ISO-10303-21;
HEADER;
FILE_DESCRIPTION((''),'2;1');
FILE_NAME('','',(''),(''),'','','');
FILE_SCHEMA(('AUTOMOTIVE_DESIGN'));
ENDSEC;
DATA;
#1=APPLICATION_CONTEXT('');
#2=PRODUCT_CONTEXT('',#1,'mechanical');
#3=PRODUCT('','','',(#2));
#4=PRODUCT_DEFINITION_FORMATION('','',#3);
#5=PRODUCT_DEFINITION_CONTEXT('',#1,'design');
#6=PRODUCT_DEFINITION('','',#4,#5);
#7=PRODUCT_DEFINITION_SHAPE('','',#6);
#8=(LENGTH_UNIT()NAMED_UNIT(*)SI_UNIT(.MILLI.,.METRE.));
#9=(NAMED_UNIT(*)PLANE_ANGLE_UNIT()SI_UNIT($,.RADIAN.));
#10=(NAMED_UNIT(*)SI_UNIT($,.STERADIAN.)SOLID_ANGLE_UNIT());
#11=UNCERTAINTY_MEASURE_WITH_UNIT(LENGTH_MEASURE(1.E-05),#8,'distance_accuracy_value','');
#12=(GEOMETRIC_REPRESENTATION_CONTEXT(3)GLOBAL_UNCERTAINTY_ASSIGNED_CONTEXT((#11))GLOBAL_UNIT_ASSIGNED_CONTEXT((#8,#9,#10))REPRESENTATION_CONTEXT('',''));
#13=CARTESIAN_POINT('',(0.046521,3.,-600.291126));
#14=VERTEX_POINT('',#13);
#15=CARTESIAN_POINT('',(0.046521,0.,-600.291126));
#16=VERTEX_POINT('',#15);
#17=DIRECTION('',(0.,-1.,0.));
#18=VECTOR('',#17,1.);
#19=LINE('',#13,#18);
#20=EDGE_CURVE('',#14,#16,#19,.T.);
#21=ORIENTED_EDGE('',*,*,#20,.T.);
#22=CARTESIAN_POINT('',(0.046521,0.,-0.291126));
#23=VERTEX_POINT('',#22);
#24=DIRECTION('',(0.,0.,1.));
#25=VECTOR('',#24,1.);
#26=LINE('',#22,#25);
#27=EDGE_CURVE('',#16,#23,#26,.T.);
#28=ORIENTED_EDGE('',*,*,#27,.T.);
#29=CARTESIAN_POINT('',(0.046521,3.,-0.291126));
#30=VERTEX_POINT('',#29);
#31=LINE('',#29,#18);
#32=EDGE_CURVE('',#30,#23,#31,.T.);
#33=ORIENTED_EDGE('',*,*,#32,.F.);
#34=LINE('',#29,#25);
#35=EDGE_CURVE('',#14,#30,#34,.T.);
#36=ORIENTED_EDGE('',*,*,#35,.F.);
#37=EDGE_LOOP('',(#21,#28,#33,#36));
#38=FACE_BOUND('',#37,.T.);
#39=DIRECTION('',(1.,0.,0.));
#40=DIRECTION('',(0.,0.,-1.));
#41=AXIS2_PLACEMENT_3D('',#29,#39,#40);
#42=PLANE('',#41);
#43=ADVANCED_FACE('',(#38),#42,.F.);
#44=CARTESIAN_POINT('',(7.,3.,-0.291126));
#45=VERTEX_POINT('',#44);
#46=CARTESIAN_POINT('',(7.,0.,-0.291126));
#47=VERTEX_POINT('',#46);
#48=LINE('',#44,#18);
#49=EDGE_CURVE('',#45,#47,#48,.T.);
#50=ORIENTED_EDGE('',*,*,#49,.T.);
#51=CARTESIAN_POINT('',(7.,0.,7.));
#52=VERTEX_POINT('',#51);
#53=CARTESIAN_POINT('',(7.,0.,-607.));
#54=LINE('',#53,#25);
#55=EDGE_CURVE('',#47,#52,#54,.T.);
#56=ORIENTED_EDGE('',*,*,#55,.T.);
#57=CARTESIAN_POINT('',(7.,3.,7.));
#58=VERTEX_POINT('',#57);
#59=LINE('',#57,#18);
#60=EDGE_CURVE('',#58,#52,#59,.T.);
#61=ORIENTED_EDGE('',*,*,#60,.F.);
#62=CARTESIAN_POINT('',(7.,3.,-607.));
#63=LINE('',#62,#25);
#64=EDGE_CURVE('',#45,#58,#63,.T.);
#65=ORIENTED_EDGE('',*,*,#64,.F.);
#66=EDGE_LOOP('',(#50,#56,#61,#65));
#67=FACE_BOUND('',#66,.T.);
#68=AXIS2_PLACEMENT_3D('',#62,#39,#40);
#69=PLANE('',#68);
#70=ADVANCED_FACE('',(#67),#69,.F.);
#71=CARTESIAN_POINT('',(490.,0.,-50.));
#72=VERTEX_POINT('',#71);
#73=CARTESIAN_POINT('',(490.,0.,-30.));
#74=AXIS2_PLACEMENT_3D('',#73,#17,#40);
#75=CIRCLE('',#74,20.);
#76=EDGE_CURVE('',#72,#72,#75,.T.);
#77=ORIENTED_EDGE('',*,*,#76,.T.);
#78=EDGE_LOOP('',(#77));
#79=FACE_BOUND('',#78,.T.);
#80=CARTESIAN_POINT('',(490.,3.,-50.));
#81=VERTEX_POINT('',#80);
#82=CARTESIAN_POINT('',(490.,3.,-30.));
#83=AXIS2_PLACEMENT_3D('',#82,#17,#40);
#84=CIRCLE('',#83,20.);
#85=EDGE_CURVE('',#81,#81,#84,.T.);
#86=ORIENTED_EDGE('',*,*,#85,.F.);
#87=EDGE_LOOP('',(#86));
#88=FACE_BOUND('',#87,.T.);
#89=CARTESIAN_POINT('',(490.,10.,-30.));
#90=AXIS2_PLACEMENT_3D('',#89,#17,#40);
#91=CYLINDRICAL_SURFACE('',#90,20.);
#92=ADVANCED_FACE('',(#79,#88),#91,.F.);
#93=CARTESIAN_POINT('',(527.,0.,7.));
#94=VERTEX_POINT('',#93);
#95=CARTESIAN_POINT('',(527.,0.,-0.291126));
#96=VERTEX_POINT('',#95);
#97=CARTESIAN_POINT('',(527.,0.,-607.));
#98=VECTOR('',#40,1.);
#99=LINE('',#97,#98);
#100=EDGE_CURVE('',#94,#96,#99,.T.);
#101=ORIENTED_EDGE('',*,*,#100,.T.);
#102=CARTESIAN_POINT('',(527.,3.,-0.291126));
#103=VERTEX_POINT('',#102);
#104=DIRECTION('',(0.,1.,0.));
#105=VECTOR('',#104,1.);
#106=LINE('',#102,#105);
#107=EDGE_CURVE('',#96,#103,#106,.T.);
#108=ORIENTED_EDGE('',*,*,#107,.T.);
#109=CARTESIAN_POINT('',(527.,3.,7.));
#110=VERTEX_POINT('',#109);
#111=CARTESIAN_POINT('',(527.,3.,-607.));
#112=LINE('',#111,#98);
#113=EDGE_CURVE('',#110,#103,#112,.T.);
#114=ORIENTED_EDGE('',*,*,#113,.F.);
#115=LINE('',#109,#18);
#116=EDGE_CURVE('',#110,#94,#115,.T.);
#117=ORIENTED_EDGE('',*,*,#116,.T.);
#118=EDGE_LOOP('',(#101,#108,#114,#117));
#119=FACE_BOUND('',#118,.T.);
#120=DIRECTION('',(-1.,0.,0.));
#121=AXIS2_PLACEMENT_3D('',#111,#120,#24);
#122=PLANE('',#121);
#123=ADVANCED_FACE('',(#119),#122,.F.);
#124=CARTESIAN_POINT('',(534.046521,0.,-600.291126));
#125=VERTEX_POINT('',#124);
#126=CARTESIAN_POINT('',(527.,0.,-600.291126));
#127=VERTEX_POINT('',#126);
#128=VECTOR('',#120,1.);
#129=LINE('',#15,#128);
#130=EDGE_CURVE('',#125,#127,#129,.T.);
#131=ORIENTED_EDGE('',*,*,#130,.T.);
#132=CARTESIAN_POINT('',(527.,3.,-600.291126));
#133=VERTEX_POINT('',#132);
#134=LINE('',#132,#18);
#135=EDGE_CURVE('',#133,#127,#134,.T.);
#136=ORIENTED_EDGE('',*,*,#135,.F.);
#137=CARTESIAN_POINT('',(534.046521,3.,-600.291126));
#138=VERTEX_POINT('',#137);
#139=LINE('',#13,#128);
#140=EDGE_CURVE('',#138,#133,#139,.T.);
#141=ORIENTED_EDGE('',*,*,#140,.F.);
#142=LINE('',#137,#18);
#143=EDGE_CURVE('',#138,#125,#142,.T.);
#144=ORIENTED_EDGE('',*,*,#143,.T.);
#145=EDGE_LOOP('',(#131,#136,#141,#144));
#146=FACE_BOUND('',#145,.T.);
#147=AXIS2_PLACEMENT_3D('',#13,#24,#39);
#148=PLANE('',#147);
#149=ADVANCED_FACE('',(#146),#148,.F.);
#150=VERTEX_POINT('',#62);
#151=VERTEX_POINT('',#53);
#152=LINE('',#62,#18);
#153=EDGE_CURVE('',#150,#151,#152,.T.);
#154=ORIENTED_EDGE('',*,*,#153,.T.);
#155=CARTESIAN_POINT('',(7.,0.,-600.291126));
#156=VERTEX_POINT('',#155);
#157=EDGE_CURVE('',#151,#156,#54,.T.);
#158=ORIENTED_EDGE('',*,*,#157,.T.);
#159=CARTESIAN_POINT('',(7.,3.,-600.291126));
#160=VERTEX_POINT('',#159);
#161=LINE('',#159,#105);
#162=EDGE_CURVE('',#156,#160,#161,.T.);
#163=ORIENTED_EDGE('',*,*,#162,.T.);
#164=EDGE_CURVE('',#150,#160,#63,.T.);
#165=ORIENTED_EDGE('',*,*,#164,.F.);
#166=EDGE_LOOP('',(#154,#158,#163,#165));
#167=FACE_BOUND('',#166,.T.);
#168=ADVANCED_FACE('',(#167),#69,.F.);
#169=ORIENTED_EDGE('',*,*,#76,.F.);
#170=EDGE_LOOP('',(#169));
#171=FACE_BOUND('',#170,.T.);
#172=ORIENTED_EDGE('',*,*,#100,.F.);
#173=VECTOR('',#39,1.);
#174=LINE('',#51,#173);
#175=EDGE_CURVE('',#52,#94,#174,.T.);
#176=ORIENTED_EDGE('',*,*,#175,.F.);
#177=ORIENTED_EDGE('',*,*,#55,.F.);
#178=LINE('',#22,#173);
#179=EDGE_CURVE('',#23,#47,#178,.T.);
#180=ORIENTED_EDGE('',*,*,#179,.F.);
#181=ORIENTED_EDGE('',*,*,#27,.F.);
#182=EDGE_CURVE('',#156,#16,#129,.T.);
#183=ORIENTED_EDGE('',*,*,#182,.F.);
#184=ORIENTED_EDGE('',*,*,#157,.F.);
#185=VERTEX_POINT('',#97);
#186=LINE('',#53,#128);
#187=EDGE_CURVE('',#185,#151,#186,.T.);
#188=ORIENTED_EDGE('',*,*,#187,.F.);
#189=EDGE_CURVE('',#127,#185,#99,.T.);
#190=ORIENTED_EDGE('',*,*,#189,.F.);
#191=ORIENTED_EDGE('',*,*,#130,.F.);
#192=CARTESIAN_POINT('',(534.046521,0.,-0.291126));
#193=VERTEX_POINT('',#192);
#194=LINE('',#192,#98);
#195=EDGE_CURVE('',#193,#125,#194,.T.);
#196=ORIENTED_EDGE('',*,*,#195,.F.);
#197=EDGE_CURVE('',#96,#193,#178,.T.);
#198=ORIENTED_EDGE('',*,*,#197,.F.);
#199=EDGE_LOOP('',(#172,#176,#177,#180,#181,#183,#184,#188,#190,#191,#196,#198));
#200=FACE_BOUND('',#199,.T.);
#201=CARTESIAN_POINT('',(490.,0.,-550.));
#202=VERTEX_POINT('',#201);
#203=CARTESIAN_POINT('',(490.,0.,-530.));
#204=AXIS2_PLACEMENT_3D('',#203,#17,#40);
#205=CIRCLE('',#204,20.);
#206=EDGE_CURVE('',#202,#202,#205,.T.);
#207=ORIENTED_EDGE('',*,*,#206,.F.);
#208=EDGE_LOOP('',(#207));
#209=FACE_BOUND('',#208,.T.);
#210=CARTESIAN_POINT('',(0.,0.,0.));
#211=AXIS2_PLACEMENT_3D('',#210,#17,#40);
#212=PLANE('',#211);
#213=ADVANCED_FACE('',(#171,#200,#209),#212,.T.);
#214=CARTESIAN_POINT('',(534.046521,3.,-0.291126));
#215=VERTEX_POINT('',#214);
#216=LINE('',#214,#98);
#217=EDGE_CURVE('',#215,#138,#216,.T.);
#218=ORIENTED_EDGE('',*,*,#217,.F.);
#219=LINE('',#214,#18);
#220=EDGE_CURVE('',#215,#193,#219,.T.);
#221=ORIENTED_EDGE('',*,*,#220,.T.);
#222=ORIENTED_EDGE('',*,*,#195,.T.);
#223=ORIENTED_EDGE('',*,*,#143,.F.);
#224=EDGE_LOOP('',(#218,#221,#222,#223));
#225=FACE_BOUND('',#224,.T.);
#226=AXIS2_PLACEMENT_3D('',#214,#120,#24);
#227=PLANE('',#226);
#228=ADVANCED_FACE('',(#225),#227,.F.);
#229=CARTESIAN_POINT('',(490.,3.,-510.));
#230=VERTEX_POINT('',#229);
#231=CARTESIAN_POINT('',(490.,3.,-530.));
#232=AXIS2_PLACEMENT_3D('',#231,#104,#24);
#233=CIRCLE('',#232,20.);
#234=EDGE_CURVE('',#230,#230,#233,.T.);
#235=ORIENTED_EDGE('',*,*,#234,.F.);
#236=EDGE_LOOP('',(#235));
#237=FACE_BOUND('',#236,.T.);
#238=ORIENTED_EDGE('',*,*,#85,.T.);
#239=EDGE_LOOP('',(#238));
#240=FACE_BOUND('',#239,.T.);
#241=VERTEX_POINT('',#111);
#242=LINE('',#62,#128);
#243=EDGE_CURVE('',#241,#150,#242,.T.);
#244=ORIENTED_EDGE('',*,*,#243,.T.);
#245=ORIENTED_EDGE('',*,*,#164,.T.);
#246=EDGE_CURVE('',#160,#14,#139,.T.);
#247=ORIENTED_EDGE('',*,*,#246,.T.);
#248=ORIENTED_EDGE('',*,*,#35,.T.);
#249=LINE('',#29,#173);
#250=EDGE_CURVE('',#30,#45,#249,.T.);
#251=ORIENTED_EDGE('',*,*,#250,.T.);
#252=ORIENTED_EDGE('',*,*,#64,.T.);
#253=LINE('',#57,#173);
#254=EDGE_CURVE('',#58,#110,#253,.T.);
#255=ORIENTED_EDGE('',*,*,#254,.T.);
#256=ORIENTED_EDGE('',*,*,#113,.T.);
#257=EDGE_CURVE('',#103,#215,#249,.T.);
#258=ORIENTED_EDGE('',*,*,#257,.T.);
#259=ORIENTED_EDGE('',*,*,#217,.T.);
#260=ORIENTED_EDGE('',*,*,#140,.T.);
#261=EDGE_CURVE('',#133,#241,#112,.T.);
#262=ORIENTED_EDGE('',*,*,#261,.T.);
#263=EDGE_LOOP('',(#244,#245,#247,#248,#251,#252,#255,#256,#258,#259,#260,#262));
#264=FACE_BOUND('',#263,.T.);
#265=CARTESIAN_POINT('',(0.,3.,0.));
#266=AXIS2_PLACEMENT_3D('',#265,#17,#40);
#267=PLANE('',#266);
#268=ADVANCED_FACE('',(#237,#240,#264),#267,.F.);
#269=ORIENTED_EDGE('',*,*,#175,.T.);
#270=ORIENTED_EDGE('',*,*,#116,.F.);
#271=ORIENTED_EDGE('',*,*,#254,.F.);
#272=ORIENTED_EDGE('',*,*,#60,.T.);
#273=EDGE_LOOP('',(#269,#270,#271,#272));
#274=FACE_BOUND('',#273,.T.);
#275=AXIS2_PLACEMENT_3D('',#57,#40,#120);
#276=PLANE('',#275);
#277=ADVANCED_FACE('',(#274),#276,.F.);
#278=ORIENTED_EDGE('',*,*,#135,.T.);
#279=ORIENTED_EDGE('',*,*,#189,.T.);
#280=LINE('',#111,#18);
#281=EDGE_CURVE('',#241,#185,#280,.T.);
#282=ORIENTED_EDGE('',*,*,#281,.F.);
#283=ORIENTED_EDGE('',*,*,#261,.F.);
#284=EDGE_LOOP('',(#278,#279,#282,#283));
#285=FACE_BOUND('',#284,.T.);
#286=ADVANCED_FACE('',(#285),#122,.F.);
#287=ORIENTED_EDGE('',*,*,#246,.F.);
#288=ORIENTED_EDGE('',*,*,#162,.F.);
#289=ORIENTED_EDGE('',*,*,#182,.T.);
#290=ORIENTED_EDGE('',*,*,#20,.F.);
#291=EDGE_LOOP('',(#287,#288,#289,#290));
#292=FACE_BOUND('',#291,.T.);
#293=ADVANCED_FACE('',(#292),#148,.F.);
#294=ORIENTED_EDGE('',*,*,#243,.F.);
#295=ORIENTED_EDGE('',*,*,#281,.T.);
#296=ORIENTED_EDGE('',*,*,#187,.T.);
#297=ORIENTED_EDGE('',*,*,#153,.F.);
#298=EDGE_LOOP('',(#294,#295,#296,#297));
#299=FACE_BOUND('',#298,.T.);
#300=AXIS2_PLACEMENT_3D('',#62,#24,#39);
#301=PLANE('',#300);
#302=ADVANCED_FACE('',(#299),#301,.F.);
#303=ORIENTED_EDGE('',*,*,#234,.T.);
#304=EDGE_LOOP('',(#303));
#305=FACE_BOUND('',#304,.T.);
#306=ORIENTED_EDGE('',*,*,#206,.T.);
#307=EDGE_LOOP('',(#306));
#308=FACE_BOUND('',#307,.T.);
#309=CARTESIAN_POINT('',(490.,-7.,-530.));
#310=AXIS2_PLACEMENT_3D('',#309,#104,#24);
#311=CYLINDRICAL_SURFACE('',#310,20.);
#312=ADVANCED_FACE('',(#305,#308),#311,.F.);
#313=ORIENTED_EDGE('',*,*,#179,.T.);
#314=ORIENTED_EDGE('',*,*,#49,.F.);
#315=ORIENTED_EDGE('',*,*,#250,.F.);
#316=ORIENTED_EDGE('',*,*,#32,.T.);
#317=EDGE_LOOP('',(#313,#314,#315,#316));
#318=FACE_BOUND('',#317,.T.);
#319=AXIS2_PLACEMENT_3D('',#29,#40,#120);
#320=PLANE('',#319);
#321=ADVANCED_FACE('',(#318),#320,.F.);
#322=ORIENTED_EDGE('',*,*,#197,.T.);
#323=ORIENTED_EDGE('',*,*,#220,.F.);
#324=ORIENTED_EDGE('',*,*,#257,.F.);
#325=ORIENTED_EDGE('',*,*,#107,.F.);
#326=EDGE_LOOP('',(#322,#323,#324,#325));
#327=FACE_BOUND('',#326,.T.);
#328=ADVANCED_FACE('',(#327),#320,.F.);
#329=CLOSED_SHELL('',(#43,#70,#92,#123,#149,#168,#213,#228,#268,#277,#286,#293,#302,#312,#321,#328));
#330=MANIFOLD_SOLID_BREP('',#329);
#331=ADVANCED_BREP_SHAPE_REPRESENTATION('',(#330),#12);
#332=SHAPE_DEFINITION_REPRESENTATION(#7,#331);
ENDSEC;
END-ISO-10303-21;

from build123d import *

# Parameters (mm, degrees)
SKETCH1_W           = 534
SKETCH1_H           = 600
BOSS_EXTRUDE1_DEPTH = 3
SKETCH3_W           = 520
SKETCH3_H           = 614
BOSS_EXTRUDE2_DEPTH = 3
SKETCH4_R           = 20
CUT_EXTRUDE5_DEPTH  = 10
SKETCH5_R           = 20
CUT_EXTRUDE7_DEPTH  = 10


with BuildPart() as part:
    # Sketch1 → Boss-Extrude1 (new body)
    with BuildSketch(Plane(origin=(0, 0, 0), x_dir=(1, 0, 0), z_dir=(0, 1, 0))):
        with Locations((267.046520854, 300.291126183)):
            Rectangle(SKETCH1_W, SKETCH1_H)
    extrude(amount=BOSS_EXTRUDE1_DEPTH)

    # Sketch3 → Boss-Extrude2 (add)
    with BuildSketch(Plane(origin=(0, 0, 0), x_dir=(1, 0, 0), z_dir=(0, 1, 0))):
        with Locations((267, 300)):
            Rectangle(SKETCH3_W, SKETCH3_H)
    extrude(amount=BOSS_EXTRUDE2_DEPTH)

    # Sketch4 → Cut-Extrude5 (cut)
    with BuildSketch(Plane(origin=(0, 3, 0), x_dir=(1, 0, 0), z_dir=(0, 1, 0))):
        with Locations(Location((490, 530, 0), (0, 0, 270))):
            Circle(SKETCH4_R)
    extrude(amount=-CUT_EXTRUDE5_DEPTH, mode=Mode.SUBTRACT)

    # Sketch5 → Cut-Extrude7 (cut)
    with BuildSketch(Plane(origin=(0, 0, 0), x_dir=(-1, 0, 0), z_dir=(0, -1, 0))):
        with Locations(Location((-490, 30, 0), (0, 0, 90))):
            Circle(SKETCH5_R)
    extrude(amount=-CUT_EXTRUDE7_DEPTH, mode=Mode.SUBTRACT)


solid = part.part
